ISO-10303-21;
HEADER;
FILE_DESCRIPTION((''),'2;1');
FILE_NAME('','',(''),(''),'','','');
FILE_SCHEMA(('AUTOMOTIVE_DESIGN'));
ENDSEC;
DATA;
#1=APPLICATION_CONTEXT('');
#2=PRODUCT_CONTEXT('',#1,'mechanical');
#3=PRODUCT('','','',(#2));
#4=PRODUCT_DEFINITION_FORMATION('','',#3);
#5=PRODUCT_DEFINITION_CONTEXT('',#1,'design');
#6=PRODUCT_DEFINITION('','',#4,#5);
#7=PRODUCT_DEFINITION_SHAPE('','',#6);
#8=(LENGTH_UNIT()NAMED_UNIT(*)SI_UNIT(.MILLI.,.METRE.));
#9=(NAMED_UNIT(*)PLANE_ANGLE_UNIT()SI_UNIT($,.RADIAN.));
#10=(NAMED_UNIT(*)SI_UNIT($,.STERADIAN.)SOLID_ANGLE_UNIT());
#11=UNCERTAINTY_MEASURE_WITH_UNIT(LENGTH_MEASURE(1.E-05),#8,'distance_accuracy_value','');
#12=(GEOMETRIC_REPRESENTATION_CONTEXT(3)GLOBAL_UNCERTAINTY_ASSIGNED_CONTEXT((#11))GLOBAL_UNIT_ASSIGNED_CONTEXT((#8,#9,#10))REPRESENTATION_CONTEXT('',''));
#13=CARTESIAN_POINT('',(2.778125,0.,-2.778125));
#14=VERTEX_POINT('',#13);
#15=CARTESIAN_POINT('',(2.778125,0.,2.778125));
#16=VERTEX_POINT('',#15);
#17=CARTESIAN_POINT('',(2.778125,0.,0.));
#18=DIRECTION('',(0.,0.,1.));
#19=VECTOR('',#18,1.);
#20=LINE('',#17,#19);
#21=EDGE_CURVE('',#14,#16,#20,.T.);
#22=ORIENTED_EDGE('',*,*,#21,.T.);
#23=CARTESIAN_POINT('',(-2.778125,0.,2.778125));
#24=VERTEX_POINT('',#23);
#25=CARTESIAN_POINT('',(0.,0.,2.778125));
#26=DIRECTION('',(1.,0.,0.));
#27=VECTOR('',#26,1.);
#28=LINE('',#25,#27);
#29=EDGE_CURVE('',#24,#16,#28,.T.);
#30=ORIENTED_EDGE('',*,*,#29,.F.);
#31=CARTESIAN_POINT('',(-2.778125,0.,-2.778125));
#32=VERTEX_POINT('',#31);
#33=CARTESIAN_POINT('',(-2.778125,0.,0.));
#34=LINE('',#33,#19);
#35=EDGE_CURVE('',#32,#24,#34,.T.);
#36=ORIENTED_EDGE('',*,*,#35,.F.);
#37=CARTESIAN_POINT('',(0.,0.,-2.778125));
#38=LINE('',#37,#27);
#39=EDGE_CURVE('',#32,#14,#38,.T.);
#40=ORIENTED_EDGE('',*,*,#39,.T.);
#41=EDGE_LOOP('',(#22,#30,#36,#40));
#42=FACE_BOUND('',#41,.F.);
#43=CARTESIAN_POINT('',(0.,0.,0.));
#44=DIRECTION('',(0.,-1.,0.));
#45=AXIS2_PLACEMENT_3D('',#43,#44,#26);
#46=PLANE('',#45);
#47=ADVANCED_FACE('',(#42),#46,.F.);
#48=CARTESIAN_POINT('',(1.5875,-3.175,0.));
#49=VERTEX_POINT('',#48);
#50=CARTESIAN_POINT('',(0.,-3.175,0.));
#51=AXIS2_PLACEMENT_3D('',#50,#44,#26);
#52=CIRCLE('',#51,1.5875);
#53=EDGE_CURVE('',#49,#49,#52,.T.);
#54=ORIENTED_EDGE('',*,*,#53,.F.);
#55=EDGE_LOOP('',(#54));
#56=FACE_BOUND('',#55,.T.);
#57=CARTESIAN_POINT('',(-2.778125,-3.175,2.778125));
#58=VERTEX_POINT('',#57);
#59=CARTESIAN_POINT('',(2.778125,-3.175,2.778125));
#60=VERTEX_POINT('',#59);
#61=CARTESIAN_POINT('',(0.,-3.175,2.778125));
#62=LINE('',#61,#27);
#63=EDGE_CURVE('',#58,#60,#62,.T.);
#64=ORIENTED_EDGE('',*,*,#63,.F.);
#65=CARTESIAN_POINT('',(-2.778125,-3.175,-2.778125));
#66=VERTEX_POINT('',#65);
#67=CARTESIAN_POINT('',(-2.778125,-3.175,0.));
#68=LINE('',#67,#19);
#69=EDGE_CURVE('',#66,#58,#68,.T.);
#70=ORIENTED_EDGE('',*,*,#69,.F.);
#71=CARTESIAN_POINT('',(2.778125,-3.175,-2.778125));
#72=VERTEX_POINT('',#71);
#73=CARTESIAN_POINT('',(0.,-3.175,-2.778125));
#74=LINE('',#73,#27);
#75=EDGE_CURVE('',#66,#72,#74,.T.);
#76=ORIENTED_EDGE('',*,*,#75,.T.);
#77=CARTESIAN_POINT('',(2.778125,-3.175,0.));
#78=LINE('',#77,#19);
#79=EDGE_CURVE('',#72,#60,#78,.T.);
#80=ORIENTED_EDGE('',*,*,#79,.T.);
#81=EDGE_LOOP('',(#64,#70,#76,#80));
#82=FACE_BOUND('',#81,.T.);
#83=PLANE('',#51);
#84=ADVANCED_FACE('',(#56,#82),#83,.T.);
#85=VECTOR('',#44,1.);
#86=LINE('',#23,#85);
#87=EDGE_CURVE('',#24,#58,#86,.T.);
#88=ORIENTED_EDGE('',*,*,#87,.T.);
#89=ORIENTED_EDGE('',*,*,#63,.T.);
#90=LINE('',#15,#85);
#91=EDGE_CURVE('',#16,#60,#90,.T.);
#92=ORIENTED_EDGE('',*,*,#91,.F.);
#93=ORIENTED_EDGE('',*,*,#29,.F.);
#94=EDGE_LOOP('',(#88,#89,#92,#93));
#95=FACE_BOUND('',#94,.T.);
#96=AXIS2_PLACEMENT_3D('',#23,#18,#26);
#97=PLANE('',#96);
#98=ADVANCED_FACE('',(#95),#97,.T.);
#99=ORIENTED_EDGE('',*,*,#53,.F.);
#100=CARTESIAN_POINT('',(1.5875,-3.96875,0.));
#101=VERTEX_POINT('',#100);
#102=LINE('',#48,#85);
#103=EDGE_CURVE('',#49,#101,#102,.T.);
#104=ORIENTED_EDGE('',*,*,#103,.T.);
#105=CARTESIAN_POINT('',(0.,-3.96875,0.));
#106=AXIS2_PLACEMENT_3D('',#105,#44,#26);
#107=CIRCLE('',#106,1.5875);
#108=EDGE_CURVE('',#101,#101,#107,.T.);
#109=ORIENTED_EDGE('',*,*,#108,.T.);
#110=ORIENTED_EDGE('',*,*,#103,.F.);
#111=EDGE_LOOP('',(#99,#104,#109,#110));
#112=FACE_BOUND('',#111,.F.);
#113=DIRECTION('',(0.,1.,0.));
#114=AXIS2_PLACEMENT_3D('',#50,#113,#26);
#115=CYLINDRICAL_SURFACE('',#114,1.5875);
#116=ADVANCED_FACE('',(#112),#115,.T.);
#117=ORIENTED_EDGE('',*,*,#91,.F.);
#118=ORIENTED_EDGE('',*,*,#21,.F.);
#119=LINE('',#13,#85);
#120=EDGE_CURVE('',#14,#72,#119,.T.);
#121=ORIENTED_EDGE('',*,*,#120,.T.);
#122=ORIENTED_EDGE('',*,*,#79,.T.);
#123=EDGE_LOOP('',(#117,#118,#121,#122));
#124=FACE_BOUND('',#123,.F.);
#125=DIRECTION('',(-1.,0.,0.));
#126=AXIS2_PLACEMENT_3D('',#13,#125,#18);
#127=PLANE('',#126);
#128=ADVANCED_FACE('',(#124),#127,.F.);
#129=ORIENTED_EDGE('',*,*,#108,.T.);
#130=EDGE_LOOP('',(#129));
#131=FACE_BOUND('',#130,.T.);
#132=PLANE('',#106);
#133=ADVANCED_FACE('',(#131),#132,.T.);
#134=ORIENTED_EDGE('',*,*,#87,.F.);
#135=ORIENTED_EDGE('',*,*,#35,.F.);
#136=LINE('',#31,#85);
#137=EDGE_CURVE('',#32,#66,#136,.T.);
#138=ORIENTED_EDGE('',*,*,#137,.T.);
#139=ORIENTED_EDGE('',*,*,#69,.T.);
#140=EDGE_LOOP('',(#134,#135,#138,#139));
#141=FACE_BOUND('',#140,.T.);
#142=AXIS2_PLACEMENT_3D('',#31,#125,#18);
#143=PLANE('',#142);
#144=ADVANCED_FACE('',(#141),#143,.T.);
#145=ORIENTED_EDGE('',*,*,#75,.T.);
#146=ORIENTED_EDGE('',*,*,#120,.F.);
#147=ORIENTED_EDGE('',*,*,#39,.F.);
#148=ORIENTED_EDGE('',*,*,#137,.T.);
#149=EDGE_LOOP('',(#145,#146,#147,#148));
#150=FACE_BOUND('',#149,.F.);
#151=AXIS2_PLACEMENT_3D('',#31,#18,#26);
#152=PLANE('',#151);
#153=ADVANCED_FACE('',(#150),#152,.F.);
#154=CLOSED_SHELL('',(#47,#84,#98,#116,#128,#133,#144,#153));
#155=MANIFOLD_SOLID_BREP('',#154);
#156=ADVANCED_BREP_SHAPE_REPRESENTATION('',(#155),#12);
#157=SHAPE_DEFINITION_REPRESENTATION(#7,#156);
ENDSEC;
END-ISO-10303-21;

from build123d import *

# Parameters (mm, degrees)
F0_W     = 5.55625
F0_H     = 5.55625
F0_R     = 1.5875
F1_DEPTH = 3.175
F2_R     = 1.5875
F3_DEPTH = 0.79375


with BuildPart() as f1:
    # F0 (on Front) → F1 (new body)
    with BuildSketch(Plane.XZ):
        Rectangle(F0_W, F0_H)
        Circle(F0_R, mode=Mode.SUBTRACT)
        Circle(F0_R)
    extrude(amount=F1_DEPTH)

    # F2 (on face) → F3 (join)
    with BuildSketch(Plane.XZ.offset(3.175)):
        Circle(F2_R)
    extrude(amount=F3_DEPTH)


solid = f1.part
